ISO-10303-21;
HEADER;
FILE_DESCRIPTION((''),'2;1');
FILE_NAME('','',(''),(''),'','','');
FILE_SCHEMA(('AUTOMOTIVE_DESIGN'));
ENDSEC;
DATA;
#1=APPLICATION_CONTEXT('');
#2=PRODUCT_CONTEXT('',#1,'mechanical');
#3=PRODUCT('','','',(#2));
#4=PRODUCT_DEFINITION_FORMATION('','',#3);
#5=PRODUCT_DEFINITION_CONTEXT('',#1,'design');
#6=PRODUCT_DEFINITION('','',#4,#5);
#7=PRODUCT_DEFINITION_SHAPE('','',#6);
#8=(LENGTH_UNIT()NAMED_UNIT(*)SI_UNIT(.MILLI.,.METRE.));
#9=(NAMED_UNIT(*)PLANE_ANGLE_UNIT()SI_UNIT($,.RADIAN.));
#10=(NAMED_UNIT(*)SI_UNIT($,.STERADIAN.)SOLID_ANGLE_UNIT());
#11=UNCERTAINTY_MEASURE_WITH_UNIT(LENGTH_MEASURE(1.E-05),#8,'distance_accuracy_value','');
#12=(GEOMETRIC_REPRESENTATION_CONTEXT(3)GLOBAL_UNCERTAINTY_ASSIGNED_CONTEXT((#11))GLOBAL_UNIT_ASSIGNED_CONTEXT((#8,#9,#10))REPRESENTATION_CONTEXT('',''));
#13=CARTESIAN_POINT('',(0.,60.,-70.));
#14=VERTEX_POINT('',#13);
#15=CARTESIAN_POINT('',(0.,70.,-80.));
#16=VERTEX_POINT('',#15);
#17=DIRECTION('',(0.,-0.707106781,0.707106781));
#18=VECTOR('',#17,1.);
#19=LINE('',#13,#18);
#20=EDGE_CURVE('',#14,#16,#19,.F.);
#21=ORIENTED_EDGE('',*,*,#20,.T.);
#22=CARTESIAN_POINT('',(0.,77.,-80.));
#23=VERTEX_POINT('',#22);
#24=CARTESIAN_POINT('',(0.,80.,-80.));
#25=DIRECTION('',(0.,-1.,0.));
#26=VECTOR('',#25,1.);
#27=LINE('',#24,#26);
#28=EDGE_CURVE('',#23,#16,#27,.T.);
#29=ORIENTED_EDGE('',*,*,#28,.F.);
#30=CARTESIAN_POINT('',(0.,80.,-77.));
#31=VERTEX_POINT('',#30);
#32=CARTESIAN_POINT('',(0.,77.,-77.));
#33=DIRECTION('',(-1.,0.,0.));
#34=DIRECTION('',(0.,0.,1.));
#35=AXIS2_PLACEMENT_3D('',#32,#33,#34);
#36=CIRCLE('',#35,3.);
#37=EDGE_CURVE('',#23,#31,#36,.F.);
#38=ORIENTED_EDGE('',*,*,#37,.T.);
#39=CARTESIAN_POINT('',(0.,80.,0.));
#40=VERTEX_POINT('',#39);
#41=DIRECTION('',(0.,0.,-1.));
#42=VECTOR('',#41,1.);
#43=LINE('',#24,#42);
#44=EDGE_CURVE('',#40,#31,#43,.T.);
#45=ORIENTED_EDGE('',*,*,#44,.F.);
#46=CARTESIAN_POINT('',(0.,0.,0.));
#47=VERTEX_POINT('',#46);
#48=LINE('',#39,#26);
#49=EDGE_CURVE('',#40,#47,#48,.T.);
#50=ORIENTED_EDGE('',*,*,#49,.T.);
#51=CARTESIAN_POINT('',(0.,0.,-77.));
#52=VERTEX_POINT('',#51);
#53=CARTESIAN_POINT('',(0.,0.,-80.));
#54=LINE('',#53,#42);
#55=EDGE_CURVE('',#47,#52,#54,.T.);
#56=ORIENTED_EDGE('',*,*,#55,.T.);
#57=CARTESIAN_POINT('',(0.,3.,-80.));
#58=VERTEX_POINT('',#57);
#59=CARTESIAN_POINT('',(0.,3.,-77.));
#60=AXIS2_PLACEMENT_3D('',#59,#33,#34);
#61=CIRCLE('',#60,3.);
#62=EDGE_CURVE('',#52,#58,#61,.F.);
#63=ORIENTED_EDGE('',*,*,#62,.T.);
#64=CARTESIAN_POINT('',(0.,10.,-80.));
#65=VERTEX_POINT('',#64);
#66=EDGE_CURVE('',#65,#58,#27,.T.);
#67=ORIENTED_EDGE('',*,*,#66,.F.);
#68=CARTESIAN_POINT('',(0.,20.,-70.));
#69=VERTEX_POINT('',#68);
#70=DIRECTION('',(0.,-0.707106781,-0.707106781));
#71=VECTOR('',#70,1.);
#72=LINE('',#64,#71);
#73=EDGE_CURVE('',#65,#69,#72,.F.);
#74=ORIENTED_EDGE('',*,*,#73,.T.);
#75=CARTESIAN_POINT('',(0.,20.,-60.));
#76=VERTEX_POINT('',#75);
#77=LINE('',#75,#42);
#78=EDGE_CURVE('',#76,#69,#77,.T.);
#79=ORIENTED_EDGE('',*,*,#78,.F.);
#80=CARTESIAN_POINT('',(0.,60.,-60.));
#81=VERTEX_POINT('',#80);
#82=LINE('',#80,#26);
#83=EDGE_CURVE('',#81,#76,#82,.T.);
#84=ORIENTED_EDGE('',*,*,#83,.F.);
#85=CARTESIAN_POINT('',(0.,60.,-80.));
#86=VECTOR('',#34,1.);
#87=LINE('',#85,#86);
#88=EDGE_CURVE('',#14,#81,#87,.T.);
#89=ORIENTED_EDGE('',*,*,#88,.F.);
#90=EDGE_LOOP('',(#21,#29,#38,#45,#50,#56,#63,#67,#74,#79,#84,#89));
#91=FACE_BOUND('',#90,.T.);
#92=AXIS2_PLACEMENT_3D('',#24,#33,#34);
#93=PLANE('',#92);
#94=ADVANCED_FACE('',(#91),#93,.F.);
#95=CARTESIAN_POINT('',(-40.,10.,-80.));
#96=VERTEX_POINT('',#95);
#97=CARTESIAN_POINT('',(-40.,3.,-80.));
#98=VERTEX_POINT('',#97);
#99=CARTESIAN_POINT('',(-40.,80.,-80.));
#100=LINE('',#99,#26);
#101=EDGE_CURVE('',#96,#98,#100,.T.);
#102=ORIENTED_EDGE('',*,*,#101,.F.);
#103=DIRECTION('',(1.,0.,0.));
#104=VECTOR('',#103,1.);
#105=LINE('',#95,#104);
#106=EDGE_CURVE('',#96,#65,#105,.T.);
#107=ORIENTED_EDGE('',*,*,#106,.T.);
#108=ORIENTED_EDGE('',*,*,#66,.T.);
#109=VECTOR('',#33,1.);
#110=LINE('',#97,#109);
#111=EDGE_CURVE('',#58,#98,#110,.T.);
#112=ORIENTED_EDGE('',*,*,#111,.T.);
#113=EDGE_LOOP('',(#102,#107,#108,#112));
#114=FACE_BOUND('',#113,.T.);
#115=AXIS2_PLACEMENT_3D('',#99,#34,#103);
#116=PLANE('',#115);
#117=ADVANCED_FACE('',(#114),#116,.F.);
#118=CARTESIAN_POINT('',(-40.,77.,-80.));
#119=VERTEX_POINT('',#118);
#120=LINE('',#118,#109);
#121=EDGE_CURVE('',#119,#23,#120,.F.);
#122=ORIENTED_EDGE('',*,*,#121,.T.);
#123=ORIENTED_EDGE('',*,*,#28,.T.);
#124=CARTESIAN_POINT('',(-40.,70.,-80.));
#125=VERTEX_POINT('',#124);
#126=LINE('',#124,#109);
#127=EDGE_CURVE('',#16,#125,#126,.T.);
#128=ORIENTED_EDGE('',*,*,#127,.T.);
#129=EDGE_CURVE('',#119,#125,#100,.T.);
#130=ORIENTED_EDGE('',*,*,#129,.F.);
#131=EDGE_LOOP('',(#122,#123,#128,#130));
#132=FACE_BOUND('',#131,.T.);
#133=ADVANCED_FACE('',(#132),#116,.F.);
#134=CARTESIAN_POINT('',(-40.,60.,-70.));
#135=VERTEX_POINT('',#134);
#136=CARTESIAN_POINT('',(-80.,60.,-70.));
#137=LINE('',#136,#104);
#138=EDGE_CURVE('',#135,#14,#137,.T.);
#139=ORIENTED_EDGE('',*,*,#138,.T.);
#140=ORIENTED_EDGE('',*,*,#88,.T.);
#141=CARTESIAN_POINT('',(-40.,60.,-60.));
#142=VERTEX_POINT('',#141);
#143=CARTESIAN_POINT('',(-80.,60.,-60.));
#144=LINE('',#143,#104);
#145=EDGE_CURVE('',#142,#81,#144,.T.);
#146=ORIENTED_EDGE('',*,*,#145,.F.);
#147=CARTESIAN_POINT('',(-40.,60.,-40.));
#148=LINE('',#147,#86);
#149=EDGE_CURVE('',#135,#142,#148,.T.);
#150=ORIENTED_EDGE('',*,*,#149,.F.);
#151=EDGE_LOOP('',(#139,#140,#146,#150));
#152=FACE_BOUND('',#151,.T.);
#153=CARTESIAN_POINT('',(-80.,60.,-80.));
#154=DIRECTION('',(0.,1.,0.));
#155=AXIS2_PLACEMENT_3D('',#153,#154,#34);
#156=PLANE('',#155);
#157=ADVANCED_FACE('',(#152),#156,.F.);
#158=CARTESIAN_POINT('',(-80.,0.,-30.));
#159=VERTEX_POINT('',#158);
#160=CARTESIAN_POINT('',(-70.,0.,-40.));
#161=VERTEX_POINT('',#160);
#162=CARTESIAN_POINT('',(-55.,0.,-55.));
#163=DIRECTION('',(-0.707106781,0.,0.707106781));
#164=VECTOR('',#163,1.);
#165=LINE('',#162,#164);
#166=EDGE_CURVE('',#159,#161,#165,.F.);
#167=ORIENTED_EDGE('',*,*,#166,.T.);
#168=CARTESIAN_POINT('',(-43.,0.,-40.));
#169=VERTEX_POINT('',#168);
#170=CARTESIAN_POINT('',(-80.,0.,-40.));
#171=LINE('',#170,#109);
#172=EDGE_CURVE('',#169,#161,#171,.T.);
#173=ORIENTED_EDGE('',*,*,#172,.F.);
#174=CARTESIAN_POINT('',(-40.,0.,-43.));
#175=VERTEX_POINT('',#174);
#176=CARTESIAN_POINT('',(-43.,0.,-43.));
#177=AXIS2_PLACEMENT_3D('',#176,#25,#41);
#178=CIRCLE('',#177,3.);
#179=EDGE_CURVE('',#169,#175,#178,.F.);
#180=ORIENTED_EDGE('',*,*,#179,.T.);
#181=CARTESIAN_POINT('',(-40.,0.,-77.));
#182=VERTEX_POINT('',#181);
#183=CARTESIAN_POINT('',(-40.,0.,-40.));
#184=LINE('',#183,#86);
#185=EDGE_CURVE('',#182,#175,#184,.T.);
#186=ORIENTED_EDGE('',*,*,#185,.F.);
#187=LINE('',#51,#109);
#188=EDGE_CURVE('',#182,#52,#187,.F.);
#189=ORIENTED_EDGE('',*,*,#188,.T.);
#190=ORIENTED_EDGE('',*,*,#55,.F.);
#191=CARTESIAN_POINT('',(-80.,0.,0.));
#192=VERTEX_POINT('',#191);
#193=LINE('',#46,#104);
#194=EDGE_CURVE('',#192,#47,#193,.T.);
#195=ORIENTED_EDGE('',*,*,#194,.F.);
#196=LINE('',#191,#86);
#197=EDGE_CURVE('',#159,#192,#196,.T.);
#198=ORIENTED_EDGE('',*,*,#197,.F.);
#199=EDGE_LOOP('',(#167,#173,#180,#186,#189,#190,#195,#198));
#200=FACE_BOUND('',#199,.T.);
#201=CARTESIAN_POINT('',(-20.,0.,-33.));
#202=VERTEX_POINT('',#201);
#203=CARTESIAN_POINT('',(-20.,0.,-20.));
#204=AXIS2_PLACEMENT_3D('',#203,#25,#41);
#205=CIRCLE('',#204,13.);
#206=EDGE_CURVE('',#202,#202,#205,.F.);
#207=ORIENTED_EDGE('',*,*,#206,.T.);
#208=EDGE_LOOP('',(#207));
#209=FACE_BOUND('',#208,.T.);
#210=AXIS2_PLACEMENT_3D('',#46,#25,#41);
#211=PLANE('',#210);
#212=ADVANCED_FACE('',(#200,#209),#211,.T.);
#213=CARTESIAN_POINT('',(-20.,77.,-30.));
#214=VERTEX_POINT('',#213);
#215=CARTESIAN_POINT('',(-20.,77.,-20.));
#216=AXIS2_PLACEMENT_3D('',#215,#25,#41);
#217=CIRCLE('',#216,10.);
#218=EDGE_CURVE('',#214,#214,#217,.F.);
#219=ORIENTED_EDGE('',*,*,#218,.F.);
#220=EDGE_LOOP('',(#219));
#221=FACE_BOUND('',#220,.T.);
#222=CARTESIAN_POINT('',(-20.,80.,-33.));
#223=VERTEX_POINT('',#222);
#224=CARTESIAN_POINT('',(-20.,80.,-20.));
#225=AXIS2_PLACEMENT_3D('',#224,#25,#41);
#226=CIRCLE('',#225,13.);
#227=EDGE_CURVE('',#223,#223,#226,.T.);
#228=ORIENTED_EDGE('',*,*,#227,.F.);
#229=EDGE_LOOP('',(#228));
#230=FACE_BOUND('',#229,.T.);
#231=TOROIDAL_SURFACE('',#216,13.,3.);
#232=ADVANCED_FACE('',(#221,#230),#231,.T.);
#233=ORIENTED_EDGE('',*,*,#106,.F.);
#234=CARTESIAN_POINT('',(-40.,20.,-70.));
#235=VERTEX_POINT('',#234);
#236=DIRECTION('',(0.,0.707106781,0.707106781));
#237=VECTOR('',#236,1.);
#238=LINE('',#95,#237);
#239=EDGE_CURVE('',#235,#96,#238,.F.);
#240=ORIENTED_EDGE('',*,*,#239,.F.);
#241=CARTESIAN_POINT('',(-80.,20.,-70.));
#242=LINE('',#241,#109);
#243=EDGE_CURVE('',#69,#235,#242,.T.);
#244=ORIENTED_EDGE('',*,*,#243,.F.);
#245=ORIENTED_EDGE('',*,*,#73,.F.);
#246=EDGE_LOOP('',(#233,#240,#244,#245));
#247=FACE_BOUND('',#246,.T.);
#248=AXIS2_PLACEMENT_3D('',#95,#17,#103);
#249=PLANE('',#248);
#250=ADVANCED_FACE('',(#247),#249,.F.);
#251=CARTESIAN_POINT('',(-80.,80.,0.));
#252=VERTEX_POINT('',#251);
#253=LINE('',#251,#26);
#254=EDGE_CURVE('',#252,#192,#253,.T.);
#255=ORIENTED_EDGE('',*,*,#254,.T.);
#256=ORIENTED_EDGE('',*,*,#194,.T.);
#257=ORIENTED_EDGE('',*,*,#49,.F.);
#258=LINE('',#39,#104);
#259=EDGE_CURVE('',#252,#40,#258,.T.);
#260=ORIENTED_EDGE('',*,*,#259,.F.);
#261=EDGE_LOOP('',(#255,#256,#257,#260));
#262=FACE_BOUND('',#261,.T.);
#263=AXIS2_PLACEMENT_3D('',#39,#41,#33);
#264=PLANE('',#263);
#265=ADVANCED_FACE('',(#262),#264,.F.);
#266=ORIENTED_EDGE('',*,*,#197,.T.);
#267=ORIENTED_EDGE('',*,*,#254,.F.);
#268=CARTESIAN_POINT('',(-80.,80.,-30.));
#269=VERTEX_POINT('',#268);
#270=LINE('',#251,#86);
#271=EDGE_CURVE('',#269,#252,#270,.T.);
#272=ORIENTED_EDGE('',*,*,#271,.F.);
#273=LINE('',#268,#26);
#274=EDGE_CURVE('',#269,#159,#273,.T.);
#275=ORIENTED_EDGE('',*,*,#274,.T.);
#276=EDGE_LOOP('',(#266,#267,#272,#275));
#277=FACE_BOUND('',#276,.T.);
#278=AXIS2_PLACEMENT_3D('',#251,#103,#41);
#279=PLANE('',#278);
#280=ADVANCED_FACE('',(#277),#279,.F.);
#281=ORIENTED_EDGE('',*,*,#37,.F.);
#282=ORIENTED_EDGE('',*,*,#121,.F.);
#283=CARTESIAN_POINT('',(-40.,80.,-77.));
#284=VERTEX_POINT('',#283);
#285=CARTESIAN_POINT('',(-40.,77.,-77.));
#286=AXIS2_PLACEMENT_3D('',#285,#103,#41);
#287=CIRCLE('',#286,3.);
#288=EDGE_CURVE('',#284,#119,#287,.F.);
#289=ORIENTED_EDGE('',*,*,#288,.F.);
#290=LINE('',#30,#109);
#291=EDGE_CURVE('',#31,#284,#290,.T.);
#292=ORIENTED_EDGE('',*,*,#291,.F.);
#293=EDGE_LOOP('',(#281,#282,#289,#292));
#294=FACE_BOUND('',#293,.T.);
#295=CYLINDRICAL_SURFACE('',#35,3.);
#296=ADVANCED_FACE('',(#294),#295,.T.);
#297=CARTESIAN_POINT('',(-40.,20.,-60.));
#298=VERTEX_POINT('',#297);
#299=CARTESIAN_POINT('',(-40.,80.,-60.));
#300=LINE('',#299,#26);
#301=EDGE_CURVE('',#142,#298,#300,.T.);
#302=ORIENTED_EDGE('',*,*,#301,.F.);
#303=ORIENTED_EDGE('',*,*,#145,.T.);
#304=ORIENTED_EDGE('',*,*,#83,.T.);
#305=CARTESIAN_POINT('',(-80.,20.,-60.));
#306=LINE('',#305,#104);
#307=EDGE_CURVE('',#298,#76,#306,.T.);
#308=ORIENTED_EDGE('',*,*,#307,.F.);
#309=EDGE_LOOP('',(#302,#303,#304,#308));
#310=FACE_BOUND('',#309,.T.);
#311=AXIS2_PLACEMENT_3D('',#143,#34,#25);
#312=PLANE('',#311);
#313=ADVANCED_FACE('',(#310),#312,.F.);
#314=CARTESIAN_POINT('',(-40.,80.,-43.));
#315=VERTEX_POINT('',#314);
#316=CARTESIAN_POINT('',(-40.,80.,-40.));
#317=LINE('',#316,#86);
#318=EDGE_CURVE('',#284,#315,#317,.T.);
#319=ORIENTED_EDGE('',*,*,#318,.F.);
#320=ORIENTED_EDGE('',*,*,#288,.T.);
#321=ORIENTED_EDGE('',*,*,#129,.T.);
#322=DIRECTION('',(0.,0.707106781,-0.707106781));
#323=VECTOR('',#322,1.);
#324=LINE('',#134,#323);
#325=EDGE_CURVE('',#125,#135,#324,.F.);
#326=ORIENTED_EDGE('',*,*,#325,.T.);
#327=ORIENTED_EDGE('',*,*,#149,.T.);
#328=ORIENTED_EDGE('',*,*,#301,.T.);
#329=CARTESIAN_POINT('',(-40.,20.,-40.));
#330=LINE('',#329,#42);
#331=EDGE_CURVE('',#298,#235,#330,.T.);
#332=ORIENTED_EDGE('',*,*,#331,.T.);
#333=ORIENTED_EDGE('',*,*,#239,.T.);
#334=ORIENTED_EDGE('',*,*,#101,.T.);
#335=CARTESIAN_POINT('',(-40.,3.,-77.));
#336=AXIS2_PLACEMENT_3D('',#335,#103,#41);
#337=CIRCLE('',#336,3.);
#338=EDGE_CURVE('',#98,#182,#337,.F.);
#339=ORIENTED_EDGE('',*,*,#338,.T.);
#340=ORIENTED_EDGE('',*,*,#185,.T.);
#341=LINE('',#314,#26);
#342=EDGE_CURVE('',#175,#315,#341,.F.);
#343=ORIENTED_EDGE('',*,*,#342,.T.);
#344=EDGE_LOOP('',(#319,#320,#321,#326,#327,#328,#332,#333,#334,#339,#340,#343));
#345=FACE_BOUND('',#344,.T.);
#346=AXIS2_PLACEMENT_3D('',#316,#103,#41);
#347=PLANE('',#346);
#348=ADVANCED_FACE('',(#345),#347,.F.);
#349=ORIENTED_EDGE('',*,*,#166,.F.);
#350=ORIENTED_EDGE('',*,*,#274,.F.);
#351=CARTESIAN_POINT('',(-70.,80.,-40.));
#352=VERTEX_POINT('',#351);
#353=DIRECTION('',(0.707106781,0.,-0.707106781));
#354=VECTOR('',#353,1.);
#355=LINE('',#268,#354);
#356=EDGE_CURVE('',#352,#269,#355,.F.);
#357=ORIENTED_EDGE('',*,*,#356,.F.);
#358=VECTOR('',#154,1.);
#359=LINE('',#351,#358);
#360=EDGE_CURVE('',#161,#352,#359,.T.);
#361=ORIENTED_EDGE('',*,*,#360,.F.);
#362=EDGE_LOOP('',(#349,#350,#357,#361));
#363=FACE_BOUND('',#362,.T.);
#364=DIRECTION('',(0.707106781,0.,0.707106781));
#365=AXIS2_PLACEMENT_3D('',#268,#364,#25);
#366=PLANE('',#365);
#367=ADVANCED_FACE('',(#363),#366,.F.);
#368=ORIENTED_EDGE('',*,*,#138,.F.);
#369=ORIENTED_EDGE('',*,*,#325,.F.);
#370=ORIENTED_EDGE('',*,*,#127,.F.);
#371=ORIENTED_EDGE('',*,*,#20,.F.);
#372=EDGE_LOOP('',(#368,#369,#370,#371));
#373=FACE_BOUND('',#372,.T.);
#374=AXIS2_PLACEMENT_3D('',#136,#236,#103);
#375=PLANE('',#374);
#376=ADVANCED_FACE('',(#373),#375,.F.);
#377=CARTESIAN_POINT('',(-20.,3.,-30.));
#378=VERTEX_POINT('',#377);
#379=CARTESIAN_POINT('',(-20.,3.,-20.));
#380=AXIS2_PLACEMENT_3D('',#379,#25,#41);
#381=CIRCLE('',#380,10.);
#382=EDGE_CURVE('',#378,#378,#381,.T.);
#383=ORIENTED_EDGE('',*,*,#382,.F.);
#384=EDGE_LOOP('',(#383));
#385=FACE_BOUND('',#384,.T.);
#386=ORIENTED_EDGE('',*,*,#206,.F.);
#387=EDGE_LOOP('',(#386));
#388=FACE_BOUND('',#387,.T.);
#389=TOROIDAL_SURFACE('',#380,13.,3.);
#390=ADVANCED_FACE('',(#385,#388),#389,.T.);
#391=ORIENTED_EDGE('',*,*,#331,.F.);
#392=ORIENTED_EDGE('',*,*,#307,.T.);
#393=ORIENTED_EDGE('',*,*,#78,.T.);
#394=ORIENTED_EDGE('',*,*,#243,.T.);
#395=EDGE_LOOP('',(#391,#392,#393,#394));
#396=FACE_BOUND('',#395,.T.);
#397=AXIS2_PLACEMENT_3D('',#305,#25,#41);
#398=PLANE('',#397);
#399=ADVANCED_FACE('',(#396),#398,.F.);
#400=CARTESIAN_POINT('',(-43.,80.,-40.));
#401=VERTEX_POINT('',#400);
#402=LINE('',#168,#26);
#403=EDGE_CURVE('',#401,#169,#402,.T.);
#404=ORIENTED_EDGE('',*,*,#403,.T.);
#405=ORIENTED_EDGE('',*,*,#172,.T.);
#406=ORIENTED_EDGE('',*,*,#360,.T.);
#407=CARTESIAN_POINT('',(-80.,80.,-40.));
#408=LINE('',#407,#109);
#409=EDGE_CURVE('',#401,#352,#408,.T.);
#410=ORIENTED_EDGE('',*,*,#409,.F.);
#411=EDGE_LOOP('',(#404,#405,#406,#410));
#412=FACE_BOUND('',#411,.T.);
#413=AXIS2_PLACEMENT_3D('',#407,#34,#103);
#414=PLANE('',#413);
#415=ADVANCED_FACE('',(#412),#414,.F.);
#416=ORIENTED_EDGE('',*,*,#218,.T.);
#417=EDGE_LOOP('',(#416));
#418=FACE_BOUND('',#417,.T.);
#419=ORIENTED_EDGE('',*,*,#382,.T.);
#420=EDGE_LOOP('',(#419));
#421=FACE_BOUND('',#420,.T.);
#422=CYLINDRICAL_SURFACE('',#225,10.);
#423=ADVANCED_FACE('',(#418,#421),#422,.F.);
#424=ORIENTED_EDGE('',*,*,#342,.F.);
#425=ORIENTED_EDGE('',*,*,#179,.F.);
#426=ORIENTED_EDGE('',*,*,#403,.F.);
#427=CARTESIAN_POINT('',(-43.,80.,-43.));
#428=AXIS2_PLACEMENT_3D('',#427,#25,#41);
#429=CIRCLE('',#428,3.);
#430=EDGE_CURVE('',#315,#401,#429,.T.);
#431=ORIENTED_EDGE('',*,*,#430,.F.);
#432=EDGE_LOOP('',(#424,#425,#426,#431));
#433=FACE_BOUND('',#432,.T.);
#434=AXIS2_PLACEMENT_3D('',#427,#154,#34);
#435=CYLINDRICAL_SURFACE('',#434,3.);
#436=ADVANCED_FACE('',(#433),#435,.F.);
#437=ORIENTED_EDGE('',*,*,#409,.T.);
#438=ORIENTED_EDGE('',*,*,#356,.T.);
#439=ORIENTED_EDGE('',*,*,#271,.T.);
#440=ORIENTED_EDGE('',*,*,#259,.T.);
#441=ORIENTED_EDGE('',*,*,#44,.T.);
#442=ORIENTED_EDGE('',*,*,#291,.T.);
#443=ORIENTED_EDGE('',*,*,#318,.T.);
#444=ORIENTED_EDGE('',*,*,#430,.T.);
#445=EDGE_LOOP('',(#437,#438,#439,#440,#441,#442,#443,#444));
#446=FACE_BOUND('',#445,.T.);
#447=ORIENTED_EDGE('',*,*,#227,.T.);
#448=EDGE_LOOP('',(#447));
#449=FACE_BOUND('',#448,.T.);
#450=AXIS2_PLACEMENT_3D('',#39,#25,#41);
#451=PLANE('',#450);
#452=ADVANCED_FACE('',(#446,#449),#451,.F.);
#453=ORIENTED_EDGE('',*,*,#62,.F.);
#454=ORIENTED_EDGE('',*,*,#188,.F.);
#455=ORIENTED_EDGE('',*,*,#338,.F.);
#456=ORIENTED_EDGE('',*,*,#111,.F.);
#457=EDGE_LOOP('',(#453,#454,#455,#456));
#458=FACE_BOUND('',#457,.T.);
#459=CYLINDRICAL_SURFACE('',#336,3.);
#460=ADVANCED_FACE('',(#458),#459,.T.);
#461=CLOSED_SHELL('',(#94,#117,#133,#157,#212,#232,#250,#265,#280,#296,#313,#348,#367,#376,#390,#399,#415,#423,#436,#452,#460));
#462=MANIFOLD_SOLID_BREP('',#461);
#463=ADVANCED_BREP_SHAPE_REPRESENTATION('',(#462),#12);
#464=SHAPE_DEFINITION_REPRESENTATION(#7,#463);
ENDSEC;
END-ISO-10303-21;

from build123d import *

# Parameters (mm, degrees)
SKETCH2_R           = 10
BOSS_EXTRUDE1_DEPTH = 80
SKETCH4_W           = 20
SKETCH4_H           = 40
CUT_EXTRUDE1_DEPTH  = 139.564064606
FILLET1_R           = 3
FILLET2_R           = 3
CHAMFER1_SIZE       = 10
CHAMFER2_SIZE       = 10
CHAMFER3_SIZE       = 10
FILLET4_R           = 3
FILLET5_R           = 3
FILLET6_R           = 3


with BuildPart() as part:
    # Sketch2 → Boss-Extrude1 (new body)
    with BuildSketch(Plane(origin=(0, 0, 0), x_dir=(1, 0, 0), z_dir=(0, 1, 0))):
        Polygon((0, 0), (-80, 0), (-80, 40), (-40, 40), (-40, 80), (0, 80), align=None)
        with Locations(Location((-20, 20, 0), (0, 0, 270))):
            Circle(SKETCH2_R, mode=Mode.SUBTRACT)
    extrude(amount=BOSS_EXTRUDE1_DEPTH)

    # Sketch4 → Cut-Extrude1 (cut, through all)
    with BuildSketch(Plane(origin=(0, 0, 0), x_dir=(0, 0, -1), z_dir=(1, 0, 0))):
        with Locations((70, 40)):
            Rectangle(SKETCH4_W, SKETCH4_H)
    extrude(amount=-CUT_EXTRUDE1_DEPTH, mode=Mode.SUBTRACT)

    # Fillet1
    fillet1_edges = [part.edges().sort_by_distance(p)[0] for p in [
        (-20, 0, -80),
    ]]
    fillet(fillet1_edges, radius=FILLET1_R)

    # Fillet2
    fillet2_edges = [part.edges().sort_by_distance(p)[0] for p in [
        (-20, 80, -80),
    ]]
    fillet(fillet2_edges, radius=FILLET2_R)

    # Chamfer1
    chamfer1_edges = [part.edges().sort_by_distance(p)[0] for p in [
        (-20, 60, -80),
    ]]
    chamfer(chamfer1_edges, length=CHAMFER1_SIZE)

    # Chamfer2
    chamfer2_edges = [part.edges().sort_by_distance(p)[0] for p in [
        (-20, 20, -80),
    ]]
    chamfer(chamfer2_edges, length=CHAMFER2_SIZE)

    # Chamfer3
    chamfer3_edges = [part.edges().sort_by_distance(p)[0] for p in [
        (-80, 40, -40),
    ]]
    chamfer(chamfer3_edges, length=CHAMFER3_SIZE)

    # Fillet4
    fillet4_edges = [part.edges().sort_by_distance(p)[0] for p in [
        (-40, 40, -40),
    ]]
    fillet(fillet4_edges, radius=FILLET4_R)

    # Fillet5
    fillet5_edges = [part.edges().sort_by_distance(p)[0] for p in [
        (-20, 0, -30),
    ]]
    fillet(fillet5_edges, radius=FILLET5_R)

    # Fillet6
    fillet6_edges = [part.edges().sort_by_distance(p)[0] for p in [
        (-20, 80, -30),
    ]]
    fillet(fillet6_edges, radius=FILLET6_R)


solid = part.part
